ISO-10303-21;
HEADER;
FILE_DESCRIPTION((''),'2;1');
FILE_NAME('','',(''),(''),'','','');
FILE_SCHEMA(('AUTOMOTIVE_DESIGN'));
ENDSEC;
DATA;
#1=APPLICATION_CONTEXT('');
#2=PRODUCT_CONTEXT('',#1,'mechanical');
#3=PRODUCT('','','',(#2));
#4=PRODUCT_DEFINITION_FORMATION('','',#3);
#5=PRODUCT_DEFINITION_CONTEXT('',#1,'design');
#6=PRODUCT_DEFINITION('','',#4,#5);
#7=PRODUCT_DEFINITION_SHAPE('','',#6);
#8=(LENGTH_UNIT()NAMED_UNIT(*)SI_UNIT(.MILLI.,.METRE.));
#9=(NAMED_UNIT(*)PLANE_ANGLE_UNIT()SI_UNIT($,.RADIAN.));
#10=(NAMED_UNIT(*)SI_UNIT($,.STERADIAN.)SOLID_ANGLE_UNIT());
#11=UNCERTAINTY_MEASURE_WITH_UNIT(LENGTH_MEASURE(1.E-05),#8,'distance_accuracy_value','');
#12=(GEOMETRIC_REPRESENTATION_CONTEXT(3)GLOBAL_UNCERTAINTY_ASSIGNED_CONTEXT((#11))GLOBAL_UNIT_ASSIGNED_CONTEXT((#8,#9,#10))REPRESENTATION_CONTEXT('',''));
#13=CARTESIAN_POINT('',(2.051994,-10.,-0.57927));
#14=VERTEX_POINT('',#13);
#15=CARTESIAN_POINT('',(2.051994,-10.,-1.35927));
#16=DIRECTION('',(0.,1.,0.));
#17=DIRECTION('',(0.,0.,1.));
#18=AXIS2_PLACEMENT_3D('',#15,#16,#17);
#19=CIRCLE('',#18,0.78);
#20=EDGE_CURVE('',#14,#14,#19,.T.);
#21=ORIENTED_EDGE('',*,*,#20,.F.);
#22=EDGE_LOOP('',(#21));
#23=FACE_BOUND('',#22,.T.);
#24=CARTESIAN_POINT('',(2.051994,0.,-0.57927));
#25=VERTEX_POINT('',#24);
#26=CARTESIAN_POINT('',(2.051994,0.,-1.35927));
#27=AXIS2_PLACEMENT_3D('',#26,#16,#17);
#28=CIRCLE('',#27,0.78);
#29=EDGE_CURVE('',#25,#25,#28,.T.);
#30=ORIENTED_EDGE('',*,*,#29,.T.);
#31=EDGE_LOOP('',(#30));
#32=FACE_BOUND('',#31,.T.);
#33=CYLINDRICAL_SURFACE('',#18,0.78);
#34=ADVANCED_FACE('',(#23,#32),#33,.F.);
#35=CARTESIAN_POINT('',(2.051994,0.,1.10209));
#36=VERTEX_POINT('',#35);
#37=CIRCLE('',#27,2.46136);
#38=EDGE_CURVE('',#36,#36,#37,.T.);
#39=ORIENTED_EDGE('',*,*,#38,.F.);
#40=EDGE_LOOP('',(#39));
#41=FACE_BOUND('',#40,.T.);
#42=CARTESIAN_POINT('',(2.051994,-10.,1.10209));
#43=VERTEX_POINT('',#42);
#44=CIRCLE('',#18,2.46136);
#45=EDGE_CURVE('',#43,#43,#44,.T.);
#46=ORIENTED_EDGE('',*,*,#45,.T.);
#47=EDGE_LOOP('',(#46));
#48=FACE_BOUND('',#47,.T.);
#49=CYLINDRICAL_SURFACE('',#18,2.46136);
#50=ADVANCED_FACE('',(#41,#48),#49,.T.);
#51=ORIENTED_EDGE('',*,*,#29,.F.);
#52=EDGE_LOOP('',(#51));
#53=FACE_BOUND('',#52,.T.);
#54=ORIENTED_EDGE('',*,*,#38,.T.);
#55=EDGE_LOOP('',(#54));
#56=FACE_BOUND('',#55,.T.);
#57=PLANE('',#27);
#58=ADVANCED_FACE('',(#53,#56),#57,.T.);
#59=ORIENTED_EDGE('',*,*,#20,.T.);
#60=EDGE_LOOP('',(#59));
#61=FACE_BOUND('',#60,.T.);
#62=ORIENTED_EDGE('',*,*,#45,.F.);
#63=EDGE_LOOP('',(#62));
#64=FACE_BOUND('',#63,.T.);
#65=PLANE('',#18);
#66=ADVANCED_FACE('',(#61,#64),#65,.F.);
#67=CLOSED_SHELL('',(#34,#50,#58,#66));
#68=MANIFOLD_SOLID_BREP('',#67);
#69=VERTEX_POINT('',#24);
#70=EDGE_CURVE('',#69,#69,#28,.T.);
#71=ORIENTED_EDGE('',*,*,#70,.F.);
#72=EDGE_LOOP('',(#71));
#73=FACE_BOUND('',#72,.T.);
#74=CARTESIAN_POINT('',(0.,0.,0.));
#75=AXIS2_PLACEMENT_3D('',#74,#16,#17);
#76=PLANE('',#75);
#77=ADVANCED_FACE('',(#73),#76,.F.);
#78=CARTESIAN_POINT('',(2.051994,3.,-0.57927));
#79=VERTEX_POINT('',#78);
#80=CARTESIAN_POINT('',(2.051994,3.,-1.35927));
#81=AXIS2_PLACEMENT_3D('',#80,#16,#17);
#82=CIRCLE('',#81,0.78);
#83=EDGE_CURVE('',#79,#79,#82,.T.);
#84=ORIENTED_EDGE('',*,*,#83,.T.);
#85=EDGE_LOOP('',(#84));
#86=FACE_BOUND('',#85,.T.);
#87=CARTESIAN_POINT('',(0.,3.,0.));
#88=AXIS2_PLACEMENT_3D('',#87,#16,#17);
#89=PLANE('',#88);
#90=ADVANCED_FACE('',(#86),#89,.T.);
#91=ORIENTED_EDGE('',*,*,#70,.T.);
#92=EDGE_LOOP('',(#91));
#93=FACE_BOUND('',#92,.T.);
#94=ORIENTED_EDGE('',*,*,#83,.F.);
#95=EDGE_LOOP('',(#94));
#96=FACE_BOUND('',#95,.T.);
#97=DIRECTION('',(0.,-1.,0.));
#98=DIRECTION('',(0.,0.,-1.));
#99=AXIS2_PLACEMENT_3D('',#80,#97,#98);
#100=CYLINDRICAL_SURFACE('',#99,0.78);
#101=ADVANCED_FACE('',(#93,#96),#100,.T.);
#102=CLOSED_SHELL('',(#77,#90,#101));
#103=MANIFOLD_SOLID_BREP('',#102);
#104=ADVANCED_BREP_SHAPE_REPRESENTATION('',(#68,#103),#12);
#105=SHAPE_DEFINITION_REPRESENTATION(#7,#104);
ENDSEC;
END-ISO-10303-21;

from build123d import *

# Parameters (mm, degrees)
SKETCH1_R           = 0.78
BOSS_EXTRUDE2_DEPTH = 3
SKETCH1_5_R         = 2.46136009
SKETCH1_5_R_2       = 0.78
BOSS_EXTRUDE3_DEPTH = 10


with BuildPart() as part:
    # Sketch1 → Boss-Extrude2 (new body)
    with BuildSketch(Plane(origin=(0, 0, 0), x_dir=(1, 0, 0), z_dir=(0, 1, 0))):
        with Locations((2.051993992, 1.359269712)):
            Circle(SKETCH1_R)
    extrude(amount=BOSS_EXTRUDE2_DEPTH)


with BuildPart() as body_2:
    # Sketch1<5> → Boss-Extrude3 (new body)
    with BuildSketch(Plane(origin=(0, 0, 0), x_dir=(1, 0, 0), z_dir=(0, 1, 0))):
        with Locations((2.051993992, 1.359269712)):
            Circle(SKETCH1_5_R)
        with Locations((2.051993992, 1.359269712)):
            Circle(SKETCH1_5_R_2, mode=Mode.SUBTRACT)
    extrude(amount=-BOSS_EXTRUDE3_DEPTH)


solid = Compound([part.part, body_2.part])
